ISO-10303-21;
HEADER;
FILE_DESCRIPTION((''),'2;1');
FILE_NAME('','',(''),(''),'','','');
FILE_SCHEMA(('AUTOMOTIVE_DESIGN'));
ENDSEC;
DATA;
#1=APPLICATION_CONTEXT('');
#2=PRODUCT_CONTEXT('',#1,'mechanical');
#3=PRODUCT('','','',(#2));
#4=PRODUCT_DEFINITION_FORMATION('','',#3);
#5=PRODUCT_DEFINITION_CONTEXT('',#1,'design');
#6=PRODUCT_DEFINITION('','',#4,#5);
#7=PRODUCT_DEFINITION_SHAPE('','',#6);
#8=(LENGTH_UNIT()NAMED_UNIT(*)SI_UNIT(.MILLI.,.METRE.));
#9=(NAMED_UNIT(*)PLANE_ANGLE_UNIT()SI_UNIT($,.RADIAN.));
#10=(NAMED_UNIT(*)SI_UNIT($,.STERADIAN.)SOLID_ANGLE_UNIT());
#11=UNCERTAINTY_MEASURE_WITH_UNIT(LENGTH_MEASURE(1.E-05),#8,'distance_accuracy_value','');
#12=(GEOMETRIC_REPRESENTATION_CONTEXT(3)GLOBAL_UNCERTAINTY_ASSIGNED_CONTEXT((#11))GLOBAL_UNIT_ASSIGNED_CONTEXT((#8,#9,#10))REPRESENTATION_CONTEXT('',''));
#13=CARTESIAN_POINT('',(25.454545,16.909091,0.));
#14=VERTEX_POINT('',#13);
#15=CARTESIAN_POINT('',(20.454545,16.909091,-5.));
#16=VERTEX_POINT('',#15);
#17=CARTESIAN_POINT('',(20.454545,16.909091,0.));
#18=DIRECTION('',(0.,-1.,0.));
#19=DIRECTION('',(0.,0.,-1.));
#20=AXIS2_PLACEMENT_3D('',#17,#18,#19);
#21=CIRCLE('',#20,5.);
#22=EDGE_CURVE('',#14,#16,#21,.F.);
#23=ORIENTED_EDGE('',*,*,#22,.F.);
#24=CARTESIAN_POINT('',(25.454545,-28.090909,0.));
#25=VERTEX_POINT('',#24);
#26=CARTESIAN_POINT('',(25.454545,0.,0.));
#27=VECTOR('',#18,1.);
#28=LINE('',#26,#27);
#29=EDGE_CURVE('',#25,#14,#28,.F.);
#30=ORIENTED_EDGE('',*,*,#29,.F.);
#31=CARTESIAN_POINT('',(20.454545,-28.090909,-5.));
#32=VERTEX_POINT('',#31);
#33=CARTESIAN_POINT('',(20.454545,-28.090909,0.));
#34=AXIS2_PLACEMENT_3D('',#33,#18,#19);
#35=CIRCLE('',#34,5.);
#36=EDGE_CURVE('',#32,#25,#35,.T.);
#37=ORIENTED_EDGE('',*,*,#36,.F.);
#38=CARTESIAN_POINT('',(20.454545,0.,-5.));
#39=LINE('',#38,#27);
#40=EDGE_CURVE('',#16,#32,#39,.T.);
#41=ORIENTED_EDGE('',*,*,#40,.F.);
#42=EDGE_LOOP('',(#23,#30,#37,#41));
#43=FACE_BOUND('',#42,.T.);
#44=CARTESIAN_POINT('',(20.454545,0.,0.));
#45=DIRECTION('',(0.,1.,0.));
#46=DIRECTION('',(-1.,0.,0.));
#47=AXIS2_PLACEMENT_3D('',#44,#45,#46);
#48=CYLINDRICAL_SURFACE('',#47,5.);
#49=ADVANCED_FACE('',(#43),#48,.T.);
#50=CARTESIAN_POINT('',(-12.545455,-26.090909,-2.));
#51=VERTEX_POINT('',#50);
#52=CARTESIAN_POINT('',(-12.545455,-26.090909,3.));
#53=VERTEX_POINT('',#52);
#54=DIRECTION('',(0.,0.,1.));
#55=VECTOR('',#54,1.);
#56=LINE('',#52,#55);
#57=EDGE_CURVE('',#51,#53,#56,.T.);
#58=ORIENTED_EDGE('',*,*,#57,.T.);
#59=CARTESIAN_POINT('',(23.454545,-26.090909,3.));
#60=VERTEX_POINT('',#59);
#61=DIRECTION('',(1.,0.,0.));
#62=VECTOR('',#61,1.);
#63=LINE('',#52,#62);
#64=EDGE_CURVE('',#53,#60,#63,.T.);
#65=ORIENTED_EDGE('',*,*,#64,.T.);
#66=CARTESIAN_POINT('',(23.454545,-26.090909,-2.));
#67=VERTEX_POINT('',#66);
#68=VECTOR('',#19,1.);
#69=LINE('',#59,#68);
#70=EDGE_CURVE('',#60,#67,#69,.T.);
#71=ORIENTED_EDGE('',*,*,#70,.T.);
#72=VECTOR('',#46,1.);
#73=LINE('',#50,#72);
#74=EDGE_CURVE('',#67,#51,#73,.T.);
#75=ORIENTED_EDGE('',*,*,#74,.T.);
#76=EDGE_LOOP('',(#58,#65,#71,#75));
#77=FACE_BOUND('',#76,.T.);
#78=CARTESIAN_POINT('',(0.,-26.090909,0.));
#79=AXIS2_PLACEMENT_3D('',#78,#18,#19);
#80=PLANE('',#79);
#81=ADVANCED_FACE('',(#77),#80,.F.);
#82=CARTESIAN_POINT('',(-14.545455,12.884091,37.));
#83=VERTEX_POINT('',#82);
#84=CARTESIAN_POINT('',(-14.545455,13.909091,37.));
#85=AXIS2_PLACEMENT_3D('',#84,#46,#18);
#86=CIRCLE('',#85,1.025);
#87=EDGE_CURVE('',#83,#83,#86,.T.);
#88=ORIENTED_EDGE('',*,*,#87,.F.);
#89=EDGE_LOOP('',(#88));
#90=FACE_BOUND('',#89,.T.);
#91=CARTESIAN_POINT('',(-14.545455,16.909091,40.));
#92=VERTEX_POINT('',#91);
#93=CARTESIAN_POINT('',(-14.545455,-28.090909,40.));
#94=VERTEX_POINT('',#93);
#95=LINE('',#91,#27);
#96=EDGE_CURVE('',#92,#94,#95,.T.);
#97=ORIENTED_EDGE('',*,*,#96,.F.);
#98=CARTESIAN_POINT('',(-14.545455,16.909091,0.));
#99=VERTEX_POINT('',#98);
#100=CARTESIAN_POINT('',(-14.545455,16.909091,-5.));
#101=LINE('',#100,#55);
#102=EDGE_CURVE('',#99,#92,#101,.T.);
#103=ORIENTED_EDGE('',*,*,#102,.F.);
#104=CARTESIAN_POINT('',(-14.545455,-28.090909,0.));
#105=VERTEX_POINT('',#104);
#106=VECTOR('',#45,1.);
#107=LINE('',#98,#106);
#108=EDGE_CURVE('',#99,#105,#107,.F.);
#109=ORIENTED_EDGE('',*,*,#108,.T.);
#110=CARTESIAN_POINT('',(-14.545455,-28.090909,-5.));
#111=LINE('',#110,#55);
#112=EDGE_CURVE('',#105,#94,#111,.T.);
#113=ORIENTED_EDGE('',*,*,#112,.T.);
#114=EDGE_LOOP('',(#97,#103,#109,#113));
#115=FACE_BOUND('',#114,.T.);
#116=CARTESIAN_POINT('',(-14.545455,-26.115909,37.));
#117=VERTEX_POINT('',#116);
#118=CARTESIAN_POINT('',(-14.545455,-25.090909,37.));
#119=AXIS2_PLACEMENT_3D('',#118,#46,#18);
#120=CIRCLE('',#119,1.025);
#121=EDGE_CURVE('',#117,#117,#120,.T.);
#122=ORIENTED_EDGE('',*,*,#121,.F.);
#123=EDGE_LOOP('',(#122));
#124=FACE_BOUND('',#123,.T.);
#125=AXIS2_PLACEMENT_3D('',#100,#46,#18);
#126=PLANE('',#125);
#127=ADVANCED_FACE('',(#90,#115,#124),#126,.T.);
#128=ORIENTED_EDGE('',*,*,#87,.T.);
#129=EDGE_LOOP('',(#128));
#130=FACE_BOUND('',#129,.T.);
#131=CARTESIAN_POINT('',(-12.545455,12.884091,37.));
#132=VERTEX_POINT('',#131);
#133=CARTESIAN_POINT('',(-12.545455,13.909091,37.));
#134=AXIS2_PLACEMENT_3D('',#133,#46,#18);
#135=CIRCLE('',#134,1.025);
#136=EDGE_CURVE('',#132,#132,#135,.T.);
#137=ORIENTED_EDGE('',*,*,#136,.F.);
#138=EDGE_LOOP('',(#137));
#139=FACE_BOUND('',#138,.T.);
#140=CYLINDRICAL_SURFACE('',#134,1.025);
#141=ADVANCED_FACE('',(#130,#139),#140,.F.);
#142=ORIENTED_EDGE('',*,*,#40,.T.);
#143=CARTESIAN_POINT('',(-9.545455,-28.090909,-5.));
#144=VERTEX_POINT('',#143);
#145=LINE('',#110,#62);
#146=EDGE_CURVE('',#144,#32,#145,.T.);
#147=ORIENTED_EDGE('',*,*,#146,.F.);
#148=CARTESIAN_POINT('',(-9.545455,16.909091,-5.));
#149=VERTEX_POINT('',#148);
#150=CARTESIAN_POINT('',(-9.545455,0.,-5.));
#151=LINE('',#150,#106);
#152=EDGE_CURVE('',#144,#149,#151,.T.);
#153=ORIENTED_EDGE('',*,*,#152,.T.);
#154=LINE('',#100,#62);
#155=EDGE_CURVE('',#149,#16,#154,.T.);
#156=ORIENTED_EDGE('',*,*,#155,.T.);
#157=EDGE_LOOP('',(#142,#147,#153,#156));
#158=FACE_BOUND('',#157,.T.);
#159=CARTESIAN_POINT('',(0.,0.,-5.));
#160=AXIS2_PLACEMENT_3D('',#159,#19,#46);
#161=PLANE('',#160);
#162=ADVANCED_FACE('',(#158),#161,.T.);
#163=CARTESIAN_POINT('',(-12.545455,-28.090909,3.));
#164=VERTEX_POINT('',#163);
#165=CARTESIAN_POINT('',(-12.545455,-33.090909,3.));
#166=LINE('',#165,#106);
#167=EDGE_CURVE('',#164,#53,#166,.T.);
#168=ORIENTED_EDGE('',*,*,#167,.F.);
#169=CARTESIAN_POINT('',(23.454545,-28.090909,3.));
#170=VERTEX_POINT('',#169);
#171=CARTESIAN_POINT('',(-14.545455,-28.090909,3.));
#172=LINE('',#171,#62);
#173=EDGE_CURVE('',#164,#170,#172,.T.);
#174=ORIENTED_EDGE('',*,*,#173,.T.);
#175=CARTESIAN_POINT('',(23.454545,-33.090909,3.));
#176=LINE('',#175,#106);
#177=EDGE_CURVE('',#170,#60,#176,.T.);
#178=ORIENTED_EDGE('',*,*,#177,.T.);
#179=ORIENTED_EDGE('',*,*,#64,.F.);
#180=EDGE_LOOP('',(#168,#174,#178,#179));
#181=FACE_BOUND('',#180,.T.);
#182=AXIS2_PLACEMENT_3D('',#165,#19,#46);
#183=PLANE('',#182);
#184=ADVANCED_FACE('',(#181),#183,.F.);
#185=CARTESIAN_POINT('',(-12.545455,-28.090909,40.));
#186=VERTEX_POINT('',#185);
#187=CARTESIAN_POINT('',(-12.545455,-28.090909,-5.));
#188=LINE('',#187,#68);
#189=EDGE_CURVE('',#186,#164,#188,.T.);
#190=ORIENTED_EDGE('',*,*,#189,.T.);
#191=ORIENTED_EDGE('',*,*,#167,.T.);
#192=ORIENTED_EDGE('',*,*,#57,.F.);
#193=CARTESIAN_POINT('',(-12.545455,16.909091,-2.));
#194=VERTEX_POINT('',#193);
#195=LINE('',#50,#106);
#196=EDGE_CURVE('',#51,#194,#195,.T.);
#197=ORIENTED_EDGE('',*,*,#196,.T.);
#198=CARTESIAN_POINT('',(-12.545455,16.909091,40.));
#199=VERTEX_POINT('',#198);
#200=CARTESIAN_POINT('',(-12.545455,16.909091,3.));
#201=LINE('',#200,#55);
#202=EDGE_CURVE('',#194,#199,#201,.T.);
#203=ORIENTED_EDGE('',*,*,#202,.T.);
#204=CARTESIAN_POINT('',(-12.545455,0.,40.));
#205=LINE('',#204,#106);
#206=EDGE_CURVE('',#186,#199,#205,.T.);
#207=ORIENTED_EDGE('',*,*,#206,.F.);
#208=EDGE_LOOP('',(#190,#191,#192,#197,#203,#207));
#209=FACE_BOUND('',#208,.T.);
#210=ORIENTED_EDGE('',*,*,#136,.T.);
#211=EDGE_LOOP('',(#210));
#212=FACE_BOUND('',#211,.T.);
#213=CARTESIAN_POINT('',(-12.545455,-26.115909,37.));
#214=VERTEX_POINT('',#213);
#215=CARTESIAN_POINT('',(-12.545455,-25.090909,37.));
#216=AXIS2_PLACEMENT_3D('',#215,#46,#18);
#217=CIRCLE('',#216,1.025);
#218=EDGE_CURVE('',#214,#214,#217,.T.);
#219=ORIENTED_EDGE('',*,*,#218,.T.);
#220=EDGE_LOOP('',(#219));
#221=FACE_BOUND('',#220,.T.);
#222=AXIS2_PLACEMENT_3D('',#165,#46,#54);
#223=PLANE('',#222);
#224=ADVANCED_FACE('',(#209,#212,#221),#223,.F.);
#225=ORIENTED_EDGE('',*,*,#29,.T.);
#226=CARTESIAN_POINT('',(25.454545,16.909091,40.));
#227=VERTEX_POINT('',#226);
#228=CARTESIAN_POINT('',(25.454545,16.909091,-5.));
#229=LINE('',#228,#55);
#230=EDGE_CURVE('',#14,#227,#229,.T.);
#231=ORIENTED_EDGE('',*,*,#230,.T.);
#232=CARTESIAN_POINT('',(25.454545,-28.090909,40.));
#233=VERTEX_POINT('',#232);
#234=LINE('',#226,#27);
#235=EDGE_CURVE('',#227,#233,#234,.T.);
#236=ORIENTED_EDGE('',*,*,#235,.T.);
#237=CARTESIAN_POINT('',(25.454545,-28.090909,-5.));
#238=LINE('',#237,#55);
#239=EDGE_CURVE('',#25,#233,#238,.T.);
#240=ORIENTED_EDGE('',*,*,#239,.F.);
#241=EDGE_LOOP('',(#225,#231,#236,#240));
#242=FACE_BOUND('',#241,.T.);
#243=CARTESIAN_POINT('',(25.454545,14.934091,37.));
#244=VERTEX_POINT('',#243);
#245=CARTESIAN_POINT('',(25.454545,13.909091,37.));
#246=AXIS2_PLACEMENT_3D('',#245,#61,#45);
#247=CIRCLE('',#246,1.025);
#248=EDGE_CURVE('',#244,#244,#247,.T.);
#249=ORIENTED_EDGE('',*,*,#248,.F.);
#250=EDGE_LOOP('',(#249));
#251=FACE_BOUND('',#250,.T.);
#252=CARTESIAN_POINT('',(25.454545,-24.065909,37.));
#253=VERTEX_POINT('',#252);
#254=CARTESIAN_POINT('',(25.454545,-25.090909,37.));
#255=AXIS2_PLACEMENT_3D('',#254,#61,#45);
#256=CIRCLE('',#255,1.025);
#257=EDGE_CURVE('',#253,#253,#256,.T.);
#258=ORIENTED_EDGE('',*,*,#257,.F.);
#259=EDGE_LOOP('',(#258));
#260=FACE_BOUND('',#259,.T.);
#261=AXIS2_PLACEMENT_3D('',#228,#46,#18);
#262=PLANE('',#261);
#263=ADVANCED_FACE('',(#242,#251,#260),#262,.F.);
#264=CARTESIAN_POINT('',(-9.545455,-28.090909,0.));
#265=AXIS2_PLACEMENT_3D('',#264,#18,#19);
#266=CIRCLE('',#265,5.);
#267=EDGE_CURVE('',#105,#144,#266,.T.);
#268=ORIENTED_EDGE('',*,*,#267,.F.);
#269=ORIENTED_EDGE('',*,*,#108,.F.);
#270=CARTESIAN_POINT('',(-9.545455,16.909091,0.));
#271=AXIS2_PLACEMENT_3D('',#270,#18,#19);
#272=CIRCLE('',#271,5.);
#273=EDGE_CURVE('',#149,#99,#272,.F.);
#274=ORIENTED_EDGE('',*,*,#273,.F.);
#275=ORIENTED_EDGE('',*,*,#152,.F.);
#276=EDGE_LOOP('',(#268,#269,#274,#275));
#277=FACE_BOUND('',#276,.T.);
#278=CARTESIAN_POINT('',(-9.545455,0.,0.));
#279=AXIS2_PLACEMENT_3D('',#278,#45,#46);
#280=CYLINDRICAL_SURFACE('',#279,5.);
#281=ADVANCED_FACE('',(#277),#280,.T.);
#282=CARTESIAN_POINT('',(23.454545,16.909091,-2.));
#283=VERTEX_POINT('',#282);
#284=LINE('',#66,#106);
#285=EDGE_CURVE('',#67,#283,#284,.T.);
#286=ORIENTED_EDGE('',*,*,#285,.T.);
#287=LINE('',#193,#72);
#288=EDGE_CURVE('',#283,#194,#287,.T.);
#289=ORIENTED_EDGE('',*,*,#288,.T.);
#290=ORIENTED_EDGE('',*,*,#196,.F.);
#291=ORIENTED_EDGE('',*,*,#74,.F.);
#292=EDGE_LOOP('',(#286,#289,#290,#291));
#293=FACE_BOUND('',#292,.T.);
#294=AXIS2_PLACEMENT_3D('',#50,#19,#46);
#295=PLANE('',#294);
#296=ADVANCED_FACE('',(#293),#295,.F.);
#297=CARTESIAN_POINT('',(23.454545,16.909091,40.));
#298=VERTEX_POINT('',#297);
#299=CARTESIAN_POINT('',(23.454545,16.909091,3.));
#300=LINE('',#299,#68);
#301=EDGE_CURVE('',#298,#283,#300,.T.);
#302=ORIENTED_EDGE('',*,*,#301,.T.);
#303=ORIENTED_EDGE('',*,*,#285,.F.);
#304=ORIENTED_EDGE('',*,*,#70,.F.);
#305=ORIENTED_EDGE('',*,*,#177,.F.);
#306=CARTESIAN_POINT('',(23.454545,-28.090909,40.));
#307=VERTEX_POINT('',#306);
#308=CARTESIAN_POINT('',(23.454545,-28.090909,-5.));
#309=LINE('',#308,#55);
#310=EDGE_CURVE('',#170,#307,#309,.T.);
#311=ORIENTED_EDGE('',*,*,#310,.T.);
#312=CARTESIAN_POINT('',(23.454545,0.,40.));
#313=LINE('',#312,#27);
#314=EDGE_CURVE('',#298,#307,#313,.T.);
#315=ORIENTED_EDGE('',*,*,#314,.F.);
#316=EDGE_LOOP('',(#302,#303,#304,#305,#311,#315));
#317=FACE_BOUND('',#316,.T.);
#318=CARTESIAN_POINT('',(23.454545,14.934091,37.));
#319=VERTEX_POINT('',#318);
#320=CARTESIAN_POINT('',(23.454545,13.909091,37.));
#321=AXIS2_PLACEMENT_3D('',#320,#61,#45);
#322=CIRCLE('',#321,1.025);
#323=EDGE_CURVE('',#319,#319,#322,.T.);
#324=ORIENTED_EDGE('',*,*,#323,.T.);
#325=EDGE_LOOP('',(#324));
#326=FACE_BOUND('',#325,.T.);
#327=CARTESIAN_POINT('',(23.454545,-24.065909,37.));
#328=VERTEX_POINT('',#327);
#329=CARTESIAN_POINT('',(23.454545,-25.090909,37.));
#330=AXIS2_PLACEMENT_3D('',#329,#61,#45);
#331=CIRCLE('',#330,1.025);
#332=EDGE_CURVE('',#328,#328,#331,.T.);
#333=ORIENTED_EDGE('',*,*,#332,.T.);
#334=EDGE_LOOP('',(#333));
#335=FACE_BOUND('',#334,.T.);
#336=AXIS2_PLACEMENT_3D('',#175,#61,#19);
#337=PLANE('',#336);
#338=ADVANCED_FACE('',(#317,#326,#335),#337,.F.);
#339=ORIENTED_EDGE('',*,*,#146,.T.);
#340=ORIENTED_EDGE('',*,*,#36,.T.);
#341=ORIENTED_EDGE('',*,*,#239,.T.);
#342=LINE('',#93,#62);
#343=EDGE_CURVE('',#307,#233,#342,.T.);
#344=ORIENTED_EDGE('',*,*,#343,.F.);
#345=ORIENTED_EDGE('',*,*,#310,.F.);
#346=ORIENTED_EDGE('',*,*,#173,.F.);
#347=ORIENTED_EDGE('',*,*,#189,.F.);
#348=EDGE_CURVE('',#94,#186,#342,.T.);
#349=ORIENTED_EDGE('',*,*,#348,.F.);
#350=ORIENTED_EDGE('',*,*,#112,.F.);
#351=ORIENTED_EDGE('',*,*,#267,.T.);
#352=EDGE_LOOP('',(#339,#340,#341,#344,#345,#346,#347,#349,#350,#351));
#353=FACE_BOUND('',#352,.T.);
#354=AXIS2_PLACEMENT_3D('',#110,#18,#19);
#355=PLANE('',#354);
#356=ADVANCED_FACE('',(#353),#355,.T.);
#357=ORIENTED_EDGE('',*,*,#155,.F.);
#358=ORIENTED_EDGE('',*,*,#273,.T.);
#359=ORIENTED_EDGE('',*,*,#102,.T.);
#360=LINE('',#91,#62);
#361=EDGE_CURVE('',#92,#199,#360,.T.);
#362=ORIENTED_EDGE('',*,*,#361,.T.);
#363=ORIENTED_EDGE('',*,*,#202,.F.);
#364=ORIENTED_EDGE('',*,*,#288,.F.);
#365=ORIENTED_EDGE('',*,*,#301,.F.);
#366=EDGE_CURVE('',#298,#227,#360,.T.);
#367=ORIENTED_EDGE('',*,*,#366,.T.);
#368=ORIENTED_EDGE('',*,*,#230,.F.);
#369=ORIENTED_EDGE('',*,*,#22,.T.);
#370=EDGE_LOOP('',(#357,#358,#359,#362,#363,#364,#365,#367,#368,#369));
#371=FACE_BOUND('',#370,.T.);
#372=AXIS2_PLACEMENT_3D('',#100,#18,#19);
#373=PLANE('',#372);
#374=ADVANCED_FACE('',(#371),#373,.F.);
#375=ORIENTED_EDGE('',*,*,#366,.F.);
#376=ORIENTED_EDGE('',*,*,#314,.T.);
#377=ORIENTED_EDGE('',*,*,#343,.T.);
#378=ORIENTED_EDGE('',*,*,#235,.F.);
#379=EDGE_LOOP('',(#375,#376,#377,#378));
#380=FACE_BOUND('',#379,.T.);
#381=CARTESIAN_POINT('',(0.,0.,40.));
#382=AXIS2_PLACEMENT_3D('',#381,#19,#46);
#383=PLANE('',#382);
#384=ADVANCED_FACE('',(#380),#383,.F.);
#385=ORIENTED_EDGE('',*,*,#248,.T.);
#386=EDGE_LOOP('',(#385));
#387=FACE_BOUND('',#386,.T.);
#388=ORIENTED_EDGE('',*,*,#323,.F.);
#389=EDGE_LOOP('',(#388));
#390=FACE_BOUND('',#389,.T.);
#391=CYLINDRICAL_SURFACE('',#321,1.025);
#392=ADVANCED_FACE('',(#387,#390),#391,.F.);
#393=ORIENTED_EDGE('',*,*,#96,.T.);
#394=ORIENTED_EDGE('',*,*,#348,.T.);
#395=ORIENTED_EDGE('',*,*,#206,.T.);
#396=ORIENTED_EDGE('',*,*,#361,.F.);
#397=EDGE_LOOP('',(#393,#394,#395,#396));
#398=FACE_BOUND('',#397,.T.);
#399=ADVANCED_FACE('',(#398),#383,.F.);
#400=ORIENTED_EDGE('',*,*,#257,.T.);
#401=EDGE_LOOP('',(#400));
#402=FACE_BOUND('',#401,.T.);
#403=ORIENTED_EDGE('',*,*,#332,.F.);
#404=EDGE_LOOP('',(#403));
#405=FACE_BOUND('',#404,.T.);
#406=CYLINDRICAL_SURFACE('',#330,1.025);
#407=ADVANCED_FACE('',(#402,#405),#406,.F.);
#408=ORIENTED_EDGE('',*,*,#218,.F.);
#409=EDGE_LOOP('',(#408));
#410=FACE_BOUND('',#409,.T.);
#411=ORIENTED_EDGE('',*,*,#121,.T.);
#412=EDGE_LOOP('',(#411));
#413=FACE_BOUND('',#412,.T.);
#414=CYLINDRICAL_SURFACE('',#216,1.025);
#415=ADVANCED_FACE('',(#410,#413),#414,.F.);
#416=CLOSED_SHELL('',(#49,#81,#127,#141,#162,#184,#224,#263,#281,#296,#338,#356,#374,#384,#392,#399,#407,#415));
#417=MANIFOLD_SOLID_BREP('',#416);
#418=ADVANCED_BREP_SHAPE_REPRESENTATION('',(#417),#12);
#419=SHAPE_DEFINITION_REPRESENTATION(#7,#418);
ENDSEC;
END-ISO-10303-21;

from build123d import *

# Parameters (mm, degrees)
SKETCH_1_W           = 40
SKETCH_1_H           = 45
EXTRUDE_1_DEPTH      = 40
EXTRUDE_1_DEPTH_BACK = 5
SKETCH_2_W           = 36
SKETCH_2_H           = 37
CUT_EXTRUDE_1_DEPTH  = 50
SKETCH_3_R           = 1.025
CUT_EXTRUDE_2_DEPTH  = 2
SKETCH_4_R           = 1.025
CUT_EXTRUDE_3_DEPTH  = 2
SKETCH_5_W           = 36
SKETCH_5_H           = 5
CUT_EXTRUDE_4_DEPTH  = 43
FILLET_6_R           = 5
FILLET_7_R           = 5


with BuildPart() as part:
    # 草圖1 → 填料-伸長1 (new body, two sides)
    with BuildSketch(Plane.XY) as extrude_1_sk:
        with Locations((5.454545455, -5.590909091)):
            Rectangle(SKETCH_1_W, SKETCH_1_H)
    extrude(amount=EXTRUDE_1_DEPTH)
    extrude(extrude_1_sk.sketch, amount=-EXTRUDE_1_DEPTH_BACK)

    # 草圖2 → 除料-伸長1 (cut)
    with BuildSketch(Plane(origin=(0, 16.909090909, 0), x_dir=(1, 0, 0), z_dir=(0, 1, 0))):
        with Locations((5.454545455, -21.5)):
            Rectangle(SKETCH_2_W, SKETCH_2_H)
    extrude(amount=-CUT_EXTRUDE_1_DEPTH, mode=Mode.SUBTRACT)

    # 草圖3 → 除料-伸長2 (cut)
    with BuildSketch(Plane.ZY.offset(14.545454545)):
        with Locations((37, -25.090909091)):
            Circle(SKETCH_3_R)
        with Locations((37, 13.909090909)):
            Circle(SKETCH_3_R)
    extrude(amount=-CUT_EXTRUDE_2_DEPTH, mode=Mode.SUBTRACT)

    # 草圖4 → 除料-伸長3 (cut)
    with BuildSketch(Plane(origin=(25.454545455, 0, 0), x_dir=(0, 0, -1), z_dir=(1, 0, 0))):
        with Locations((-37, 13.909090909)):
            Circle(SKETCH_4_R)
        with Locations((-37, -25.090909091)):
            Circle(SKETCH_4_R)
    extrude(amount=-CUT_EXTRUDE_3_DEPTH, mode=Mode.SUBTRACT)

    # 草圖5 → 除料-伸長4 (cut)
    with BuildSketch(Plane(origin=(0, 16.909090909, 0), x_dir=(1, 0, 0), z_dir=(0, 1, 0))):
        with Locations((5.454545455, -0.5)):
            Rectangle(SKETCH_5_W, SKETCH_5_H)
    extrude(amount=-CUT_EXTRUDE_4_DEPTH, mode=Mode.SUBTRACT)

    # 圓角6
    fillet_6_edges = [part.edges().sort_by_distance(p)[0] for p in [
        (-14.545454545, -5.590909091, -5),
    ]]
    fillet(fillet_6_edges, radius=FILLET_6_R)

    # 圓角7
    fillet_7_edges = [part.edges().sort_by_distance(p)[0] for p in [
        (25.454545455, -5.590909091, -5),
    ]]
    fillet(fillet_7_edges, radius=FILLET_7_R)


solid = part.part
